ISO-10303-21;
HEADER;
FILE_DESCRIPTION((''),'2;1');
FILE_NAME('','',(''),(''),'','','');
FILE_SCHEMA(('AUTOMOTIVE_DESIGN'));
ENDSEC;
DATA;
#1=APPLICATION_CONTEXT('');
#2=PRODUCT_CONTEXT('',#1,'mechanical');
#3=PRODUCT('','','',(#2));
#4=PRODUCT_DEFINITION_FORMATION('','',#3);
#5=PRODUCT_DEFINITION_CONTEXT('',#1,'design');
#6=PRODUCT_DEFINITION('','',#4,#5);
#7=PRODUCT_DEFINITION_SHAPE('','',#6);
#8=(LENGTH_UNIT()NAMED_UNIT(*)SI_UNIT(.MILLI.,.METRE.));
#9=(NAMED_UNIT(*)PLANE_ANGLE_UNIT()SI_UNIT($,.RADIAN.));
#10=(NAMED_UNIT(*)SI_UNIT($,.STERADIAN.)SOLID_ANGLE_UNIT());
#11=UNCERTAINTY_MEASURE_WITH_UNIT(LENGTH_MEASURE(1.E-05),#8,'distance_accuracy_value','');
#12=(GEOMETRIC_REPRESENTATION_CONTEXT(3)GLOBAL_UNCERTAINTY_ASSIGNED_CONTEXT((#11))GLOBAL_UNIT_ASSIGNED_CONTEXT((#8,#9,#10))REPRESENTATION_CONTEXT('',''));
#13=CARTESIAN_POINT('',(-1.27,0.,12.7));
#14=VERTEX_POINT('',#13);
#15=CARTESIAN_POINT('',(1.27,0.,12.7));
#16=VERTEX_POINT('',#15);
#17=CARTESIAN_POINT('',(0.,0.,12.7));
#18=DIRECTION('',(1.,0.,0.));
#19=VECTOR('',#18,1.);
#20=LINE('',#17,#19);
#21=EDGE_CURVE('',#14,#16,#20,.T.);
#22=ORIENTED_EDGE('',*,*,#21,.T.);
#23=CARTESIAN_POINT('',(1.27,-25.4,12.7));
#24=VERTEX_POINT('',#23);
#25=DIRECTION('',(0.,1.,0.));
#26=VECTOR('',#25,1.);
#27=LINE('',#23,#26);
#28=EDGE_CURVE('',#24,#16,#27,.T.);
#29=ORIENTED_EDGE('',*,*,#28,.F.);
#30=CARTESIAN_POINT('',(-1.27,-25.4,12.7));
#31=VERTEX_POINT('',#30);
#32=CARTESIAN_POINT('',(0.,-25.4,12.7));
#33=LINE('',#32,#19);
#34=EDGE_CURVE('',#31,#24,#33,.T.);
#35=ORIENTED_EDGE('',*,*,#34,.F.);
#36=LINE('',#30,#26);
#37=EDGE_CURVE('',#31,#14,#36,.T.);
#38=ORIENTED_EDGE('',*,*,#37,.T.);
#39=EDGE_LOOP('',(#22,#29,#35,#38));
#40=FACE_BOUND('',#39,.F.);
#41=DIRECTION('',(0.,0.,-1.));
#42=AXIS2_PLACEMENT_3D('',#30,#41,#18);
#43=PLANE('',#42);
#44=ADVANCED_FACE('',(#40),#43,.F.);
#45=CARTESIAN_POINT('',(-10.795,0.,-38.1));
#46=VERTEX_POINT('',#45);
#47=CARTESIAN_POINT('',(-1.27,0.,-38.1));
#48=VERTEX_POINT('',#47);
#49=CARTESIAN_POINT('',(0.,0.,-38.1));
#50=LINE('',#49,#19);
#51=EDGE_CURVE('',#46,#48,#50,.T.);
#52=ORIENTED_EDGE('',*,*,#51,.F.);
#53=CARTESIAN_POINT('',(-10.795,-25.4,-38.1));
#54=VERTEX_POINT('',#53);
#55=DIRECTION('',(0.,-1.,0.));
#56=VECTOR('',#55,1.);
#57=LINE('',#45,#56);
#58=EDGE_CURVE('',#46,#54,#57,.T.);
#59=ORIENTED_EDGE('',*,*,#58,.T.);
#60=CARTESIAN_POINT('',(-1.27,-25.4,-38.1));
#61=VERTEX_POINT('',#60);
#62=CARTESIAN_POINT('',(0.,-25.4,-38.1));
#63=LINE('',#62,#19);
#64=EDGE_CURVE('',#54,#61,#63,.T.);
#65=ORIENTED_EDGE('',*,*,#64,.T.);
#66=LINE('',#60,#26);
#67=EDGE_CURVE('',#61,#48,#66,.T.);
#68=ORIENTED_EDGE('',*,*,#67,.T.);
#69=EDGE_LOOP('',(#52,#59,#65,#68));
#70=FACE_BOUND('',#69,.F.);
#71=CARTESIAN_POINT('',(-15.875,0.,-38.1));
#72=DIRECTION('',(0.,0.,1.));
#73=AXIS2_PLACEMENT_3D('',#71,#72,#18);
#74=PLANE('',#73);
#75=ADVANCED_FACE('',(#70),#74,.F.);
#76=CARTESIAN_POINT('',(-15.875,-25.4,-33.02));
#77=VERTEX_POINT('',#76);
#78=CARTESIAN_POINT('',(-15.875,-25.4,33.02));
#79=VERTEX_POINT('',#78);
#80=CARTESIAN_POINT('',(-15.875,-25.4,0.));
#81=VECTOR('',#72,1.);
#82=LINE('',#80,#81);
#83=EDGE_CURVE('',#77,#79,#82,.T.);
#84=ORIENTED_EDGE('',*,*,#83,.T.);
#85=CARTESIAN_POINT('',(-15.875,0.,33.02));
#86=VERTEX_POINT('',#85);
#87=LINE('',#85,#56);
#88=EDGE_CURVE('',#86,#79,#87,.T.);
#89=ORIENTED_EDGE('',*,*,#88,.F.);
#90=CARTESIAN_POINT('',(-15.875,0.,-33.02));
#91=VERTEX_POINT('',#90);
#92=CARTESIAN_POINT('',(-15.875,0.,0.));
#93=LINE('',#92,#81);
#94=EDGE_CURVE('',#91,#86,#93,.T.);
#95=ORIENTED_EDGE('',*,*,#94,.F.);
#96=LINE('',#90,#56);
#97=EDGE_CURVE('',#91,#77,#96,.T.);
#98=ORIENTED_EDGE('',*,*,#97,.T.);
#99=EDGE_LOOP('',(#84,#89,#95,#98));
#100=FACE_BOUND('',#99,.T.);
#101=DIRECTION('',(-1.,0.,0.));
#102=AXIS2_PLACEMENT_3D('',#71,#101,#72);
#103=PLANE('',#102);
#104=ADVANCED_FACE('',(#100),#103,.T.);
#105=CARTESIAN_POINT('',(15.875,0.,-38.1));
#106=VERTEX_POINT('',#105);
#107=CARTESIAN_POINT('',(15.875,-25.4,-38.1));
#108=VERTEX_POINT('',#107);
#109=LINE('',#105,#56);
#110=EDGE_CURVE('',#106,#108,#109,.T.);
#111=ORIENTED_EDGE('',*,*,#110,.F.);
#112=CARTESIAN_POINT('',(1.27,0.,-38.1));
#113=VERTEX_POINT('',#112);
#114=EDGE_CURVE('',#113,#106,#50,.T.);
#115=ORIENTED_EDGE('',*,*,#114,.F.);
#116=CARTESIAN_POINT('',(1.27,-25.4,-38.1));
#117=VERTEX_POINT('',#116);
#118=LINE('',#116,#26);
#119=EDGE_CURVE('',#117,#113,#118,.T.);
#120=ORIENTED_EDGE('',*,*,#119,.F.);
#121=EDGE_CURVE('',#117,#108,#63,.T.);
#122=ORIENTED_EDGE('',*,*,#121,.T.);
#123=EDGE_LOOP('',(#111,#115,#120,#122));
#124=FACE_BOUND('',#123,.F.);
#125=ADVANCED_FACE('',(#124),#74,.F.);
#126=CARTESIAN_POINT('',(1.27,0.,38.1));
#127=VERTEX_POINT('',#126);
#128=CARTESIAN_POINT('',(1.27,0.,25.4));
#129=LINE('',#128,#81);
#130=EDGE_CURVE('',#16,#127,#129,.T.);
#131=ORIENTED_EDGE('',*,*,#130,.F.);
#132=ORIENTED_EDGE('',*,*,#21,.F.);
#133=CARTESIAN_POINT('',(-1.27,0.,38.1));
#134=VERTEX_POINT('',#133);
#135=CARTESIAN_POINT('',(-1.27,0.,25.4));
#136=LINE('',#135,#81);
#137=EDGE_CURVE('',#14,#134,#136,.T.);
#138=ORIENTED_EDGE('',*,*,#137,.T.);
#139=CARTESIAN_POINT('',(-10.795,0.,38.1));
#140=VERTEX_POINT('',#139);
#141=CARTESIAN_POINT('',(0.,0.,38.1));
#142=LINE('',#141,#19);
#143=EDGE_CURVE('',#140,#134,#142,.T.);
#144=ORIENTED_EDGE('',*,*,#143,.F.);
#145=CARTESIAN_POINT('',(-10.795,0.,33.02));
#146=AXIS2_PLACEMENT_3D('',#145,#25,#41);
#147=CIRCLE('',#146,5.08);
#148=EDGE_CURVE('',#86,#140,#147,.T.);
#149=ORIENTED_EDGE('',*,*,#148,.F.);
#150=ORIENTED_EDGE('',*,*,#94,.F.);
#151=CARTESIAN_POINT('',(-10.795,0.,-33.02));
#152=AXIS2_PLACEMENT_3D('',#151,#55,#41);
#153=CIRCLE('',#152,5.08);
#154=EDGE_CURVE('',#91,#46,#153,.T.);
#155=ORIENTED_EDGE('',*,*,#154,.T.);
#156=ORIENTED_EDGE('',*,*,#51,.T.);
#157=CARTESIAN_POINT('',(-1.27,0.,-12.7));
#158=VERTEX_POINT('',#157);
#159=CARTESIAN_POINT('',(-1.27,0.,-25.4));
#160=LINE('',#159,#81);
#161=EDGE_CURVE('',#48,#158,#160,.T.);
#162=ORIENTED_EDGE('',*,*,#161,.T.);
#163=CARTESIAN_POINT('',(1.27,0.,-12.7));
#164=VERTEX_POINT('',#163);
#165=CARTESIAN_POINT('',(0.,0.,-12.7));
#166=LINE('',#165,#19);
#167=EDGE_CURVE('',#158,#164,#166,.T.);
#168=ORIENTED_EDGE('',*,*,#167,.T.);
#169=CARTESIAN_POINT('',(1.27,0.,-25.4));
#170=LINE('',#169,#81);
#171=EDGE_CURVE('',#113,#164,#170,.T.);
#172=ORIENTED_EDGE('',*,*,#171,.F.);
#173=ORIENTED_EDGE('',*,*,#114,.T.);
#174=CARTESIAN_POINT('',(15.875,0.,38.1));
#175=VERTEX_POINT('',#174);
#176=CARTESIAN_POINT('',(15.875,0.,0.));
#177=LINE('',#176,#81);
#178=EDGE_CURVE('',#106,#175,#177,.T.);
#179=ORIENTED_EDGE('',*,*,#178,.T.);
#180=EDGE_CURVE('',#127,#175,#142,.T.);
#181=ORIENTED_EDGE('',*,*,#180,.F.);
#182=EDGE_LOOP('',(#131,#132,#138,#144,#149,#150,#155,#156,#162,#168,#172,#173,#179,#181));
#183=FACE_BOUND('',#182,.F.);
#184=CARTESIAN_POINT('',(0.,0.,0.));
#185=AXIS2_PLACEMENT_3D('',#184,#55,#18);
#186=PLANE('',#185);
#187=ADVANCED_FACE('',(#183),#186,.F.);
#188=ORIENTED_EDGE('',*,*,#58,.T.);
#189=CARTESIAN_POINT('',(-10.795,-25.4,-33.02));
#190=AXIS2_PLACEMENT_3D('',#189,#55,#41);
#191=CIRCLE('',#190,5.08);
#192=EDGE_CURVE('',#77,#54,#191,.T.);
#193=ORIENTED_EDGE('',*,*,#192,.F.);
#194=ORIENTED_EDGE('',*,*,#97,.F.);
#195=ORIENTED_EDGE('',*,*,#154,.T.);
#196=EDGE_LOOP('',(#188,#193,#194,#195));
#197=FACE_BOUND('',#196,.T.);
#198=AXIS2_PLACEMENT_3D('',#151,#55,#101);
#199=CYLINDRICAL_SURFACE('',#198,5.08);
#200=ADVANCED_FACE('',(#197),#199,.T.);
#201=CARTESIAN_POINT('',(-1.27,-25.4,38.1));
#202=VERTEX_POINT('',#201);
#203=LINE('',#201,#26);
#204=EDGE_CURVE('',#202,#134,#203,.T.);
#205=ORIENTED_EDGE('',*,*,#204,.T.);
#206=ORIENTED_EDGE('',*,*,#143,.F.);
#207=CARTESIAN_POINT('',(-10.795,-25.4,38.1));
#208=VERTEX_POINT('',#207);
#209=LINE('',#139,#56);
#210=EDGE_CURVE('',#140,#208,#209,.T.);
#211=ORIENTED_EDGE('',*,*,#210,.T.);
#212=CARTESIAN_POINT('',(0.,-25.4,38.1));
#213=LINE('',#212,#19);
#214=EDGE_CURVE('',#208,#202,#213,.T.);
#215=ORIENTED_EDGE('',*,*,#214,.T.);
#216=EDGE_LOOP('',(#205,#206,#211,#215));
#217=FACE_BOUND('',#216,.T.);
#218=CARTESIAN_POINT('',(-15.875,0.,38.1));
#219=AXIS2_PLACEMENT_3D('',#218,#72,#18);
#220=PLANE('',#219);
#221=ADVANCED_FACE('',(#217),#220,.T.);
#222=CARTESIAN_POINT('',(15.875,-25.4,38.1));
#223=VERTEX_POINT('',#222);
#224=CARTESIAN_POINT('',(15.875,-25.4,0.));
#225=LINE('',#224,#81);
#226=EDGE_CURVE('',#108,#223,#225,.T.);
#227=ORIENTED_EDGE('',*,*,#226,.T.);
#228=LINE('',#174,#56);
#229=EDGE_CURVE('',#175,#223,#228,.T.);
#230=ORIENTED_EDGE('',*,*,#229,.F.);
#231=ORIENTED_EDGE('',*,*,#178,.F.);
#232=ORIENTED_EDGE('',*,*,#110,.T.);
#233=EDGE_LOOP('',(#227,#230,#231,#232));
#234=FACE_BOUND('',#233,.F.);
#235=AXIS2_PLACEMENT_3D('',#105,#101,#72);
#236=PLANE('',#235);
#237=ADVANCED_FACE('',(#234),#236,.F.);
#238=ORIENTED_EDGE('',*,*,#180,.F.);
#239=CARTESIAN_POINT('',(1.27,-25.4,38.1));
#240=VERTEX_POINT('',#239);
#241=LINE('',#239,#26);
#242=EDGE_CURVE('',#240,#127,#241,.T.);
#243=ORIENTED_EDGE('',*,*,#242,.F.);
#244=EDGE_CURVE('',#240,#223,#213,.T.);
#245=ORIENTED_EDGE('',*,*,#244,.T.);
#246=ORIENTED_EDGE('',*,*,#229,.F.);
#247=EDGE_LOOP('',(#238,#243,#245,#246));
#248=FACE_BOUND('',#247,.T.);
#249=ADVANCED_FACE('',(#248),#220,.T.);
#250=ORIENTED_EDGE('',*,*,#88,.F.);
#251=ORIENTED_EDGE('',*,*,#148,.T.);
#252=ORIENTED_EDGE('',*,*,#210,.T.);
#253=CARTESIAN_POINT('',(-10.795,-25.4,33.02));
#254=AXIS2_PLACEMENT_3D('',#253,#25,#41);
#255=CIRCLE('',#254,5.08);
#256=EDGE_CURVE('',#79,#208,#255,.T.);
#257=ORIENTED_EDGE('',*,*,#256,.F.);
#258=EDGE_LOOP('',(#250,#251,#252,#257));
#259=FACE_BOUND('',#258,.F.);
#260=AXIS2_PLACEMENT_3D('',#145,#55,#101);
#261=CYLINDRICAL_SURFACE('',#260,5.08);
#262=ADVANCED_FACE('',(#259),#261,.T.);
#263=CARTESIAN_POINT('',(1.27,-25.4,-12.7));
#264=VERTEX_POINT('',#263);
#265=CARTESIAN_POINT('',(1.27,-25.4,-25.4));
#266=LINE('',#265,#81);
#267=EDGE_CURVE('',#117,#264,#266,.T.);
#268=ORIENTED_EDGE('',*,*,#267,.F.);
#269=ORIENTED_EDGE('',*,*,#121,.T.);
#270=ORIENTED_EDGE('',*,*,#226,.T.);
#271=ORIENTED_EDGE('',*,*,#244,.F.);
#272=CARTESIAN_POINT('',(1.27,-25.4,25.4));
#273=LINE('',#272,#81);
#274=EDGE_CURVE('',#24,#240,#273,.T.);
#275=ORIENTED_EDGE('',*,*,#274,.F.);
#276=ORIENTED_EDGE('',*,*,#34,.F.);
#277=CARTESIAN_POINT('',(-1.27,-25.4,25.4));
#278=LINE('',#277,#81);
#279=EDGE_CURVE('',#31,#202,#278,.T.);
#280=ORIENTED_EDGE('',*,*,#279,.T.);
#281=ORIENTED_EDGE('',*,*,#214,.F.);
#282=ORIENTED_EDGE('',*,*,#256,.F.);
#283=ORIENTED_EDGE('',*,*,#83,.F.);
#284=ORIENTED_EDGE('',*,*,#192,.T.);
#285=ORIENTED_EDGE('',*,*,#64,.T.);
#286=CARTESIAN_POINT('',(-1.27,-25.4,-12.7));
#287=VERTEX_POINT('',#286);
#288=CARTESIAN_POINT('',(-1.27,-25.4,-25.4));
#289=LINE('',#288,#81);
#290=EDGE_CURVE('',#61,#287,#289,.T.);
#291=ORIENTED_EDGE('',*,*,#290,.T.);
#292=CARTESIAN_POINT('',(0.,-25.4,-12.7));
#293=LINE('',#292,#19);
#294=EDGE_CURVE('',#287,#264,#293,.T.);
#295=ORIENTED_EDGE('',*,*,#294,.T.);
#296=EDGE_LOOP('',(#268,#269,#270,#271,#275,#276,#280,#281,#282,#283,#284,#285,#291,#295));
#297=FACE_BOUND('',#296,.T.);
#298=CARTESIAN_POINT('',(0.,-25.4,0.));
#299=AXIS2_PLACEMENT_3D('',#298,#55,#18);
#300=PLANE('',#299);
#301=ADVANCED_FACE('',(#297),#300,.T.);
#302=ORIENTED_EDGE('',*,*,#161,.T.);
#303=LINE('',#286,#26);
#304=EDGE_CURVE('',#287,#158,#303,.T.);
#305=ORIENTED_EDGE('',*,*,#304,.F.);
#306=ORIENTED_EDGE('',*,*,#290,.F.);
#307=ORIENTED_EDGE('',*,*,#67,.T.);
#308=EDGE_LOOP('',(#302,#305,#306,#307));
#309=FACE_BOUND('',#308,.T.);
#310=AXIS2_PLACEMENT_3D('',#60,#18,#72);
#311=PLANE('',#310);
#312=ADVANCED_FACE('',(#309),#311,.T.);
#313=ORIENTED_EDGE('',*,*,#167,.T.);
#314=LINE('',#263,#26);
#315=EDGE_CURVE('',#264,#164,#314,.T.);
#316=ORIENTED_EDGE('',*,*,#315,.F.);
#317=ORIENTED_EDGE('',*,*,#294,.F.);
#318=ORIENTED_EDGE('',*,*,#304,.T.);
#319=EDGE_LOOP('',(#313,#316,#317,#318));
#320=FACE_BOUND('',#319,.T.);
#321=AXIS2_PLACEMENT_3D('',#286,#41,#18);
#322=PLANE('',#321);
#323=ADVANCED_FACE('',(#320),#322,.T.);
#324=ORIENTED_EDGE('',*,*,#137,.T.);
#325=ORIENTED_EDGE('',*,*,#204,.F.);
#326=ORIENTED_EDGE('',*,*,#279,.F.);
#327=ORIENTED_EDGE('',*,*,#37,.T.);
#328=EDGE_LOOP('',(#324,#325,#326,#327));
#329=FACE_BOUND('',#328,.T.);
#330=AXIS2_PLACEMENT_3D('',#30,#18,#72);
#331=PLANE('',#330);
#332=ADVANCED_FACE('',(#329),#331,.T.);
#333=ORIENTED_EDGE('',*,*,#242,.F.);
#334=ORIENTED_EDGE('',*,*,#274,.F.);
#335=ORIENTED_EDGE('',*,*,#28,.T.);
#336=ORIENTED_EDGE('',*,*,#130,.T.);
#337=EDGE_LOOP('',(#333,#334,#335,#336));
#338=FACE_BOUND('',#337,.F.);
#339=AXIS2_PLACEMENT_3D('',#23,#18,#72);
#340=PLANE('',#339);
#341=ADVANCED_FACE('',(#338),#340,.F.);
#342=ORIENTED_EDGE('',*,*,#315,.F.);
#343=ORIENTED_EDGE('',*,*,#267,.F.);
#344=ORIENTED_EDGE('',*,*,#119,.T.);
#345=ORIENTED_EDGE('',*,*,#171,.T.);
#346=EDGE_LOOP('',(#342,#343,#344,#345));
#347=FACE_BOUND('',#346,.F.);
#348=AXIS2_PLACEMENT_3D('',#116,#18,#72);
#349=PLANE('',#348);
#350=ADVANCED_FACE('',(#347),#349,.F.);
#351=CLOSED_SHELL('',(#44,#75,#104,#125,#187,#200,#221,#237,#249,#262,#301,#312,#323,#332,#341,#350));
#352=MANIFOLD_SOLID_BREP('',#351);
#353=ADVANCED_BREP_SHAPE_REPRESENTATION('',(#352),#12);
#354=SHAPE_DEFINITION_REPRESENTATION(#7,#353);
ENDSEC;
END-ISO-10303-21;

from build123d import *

# Parameters (mm, degrees)
F0_W     = 31.75
F0_H     = 76.2
F1_DEPTH = 25.4
F2_W     = 2.54
F2_H     = 25.4
F3_DEPTH = 25.4
F4_R     = 5.08


with BuildPart() as f1:
    # F0 (on Front) → F1 (new body)
    with BuildSketch(Plane.XZ):
        Rectangle(F0_W, F0_H)
    extrude(amount=F1_DEPTH)

    # F2 (on face) → F3 (cut)
    with BuildSketch(Plane.XZ.offset(25.4)):
        with Locations((0, 25.4)):
            Rectangle(F2_W, F2_H)
        with Locations((0, -25.4)):
            Rectangle(F2_W, F2_H)
    extrude(amount=-F3_DEPTH, mode=Mode.SUBTRACT)

    # F4
    f4_edges = [f1.edges().sort_by_distance(p)[0] for p in [
        (-15.875, -12.7, 38.1),
        (-15.875, -12.7, -38.1),
    ]]
    fillet(f4_edges, radius=F4_R)


solid = f1.part
